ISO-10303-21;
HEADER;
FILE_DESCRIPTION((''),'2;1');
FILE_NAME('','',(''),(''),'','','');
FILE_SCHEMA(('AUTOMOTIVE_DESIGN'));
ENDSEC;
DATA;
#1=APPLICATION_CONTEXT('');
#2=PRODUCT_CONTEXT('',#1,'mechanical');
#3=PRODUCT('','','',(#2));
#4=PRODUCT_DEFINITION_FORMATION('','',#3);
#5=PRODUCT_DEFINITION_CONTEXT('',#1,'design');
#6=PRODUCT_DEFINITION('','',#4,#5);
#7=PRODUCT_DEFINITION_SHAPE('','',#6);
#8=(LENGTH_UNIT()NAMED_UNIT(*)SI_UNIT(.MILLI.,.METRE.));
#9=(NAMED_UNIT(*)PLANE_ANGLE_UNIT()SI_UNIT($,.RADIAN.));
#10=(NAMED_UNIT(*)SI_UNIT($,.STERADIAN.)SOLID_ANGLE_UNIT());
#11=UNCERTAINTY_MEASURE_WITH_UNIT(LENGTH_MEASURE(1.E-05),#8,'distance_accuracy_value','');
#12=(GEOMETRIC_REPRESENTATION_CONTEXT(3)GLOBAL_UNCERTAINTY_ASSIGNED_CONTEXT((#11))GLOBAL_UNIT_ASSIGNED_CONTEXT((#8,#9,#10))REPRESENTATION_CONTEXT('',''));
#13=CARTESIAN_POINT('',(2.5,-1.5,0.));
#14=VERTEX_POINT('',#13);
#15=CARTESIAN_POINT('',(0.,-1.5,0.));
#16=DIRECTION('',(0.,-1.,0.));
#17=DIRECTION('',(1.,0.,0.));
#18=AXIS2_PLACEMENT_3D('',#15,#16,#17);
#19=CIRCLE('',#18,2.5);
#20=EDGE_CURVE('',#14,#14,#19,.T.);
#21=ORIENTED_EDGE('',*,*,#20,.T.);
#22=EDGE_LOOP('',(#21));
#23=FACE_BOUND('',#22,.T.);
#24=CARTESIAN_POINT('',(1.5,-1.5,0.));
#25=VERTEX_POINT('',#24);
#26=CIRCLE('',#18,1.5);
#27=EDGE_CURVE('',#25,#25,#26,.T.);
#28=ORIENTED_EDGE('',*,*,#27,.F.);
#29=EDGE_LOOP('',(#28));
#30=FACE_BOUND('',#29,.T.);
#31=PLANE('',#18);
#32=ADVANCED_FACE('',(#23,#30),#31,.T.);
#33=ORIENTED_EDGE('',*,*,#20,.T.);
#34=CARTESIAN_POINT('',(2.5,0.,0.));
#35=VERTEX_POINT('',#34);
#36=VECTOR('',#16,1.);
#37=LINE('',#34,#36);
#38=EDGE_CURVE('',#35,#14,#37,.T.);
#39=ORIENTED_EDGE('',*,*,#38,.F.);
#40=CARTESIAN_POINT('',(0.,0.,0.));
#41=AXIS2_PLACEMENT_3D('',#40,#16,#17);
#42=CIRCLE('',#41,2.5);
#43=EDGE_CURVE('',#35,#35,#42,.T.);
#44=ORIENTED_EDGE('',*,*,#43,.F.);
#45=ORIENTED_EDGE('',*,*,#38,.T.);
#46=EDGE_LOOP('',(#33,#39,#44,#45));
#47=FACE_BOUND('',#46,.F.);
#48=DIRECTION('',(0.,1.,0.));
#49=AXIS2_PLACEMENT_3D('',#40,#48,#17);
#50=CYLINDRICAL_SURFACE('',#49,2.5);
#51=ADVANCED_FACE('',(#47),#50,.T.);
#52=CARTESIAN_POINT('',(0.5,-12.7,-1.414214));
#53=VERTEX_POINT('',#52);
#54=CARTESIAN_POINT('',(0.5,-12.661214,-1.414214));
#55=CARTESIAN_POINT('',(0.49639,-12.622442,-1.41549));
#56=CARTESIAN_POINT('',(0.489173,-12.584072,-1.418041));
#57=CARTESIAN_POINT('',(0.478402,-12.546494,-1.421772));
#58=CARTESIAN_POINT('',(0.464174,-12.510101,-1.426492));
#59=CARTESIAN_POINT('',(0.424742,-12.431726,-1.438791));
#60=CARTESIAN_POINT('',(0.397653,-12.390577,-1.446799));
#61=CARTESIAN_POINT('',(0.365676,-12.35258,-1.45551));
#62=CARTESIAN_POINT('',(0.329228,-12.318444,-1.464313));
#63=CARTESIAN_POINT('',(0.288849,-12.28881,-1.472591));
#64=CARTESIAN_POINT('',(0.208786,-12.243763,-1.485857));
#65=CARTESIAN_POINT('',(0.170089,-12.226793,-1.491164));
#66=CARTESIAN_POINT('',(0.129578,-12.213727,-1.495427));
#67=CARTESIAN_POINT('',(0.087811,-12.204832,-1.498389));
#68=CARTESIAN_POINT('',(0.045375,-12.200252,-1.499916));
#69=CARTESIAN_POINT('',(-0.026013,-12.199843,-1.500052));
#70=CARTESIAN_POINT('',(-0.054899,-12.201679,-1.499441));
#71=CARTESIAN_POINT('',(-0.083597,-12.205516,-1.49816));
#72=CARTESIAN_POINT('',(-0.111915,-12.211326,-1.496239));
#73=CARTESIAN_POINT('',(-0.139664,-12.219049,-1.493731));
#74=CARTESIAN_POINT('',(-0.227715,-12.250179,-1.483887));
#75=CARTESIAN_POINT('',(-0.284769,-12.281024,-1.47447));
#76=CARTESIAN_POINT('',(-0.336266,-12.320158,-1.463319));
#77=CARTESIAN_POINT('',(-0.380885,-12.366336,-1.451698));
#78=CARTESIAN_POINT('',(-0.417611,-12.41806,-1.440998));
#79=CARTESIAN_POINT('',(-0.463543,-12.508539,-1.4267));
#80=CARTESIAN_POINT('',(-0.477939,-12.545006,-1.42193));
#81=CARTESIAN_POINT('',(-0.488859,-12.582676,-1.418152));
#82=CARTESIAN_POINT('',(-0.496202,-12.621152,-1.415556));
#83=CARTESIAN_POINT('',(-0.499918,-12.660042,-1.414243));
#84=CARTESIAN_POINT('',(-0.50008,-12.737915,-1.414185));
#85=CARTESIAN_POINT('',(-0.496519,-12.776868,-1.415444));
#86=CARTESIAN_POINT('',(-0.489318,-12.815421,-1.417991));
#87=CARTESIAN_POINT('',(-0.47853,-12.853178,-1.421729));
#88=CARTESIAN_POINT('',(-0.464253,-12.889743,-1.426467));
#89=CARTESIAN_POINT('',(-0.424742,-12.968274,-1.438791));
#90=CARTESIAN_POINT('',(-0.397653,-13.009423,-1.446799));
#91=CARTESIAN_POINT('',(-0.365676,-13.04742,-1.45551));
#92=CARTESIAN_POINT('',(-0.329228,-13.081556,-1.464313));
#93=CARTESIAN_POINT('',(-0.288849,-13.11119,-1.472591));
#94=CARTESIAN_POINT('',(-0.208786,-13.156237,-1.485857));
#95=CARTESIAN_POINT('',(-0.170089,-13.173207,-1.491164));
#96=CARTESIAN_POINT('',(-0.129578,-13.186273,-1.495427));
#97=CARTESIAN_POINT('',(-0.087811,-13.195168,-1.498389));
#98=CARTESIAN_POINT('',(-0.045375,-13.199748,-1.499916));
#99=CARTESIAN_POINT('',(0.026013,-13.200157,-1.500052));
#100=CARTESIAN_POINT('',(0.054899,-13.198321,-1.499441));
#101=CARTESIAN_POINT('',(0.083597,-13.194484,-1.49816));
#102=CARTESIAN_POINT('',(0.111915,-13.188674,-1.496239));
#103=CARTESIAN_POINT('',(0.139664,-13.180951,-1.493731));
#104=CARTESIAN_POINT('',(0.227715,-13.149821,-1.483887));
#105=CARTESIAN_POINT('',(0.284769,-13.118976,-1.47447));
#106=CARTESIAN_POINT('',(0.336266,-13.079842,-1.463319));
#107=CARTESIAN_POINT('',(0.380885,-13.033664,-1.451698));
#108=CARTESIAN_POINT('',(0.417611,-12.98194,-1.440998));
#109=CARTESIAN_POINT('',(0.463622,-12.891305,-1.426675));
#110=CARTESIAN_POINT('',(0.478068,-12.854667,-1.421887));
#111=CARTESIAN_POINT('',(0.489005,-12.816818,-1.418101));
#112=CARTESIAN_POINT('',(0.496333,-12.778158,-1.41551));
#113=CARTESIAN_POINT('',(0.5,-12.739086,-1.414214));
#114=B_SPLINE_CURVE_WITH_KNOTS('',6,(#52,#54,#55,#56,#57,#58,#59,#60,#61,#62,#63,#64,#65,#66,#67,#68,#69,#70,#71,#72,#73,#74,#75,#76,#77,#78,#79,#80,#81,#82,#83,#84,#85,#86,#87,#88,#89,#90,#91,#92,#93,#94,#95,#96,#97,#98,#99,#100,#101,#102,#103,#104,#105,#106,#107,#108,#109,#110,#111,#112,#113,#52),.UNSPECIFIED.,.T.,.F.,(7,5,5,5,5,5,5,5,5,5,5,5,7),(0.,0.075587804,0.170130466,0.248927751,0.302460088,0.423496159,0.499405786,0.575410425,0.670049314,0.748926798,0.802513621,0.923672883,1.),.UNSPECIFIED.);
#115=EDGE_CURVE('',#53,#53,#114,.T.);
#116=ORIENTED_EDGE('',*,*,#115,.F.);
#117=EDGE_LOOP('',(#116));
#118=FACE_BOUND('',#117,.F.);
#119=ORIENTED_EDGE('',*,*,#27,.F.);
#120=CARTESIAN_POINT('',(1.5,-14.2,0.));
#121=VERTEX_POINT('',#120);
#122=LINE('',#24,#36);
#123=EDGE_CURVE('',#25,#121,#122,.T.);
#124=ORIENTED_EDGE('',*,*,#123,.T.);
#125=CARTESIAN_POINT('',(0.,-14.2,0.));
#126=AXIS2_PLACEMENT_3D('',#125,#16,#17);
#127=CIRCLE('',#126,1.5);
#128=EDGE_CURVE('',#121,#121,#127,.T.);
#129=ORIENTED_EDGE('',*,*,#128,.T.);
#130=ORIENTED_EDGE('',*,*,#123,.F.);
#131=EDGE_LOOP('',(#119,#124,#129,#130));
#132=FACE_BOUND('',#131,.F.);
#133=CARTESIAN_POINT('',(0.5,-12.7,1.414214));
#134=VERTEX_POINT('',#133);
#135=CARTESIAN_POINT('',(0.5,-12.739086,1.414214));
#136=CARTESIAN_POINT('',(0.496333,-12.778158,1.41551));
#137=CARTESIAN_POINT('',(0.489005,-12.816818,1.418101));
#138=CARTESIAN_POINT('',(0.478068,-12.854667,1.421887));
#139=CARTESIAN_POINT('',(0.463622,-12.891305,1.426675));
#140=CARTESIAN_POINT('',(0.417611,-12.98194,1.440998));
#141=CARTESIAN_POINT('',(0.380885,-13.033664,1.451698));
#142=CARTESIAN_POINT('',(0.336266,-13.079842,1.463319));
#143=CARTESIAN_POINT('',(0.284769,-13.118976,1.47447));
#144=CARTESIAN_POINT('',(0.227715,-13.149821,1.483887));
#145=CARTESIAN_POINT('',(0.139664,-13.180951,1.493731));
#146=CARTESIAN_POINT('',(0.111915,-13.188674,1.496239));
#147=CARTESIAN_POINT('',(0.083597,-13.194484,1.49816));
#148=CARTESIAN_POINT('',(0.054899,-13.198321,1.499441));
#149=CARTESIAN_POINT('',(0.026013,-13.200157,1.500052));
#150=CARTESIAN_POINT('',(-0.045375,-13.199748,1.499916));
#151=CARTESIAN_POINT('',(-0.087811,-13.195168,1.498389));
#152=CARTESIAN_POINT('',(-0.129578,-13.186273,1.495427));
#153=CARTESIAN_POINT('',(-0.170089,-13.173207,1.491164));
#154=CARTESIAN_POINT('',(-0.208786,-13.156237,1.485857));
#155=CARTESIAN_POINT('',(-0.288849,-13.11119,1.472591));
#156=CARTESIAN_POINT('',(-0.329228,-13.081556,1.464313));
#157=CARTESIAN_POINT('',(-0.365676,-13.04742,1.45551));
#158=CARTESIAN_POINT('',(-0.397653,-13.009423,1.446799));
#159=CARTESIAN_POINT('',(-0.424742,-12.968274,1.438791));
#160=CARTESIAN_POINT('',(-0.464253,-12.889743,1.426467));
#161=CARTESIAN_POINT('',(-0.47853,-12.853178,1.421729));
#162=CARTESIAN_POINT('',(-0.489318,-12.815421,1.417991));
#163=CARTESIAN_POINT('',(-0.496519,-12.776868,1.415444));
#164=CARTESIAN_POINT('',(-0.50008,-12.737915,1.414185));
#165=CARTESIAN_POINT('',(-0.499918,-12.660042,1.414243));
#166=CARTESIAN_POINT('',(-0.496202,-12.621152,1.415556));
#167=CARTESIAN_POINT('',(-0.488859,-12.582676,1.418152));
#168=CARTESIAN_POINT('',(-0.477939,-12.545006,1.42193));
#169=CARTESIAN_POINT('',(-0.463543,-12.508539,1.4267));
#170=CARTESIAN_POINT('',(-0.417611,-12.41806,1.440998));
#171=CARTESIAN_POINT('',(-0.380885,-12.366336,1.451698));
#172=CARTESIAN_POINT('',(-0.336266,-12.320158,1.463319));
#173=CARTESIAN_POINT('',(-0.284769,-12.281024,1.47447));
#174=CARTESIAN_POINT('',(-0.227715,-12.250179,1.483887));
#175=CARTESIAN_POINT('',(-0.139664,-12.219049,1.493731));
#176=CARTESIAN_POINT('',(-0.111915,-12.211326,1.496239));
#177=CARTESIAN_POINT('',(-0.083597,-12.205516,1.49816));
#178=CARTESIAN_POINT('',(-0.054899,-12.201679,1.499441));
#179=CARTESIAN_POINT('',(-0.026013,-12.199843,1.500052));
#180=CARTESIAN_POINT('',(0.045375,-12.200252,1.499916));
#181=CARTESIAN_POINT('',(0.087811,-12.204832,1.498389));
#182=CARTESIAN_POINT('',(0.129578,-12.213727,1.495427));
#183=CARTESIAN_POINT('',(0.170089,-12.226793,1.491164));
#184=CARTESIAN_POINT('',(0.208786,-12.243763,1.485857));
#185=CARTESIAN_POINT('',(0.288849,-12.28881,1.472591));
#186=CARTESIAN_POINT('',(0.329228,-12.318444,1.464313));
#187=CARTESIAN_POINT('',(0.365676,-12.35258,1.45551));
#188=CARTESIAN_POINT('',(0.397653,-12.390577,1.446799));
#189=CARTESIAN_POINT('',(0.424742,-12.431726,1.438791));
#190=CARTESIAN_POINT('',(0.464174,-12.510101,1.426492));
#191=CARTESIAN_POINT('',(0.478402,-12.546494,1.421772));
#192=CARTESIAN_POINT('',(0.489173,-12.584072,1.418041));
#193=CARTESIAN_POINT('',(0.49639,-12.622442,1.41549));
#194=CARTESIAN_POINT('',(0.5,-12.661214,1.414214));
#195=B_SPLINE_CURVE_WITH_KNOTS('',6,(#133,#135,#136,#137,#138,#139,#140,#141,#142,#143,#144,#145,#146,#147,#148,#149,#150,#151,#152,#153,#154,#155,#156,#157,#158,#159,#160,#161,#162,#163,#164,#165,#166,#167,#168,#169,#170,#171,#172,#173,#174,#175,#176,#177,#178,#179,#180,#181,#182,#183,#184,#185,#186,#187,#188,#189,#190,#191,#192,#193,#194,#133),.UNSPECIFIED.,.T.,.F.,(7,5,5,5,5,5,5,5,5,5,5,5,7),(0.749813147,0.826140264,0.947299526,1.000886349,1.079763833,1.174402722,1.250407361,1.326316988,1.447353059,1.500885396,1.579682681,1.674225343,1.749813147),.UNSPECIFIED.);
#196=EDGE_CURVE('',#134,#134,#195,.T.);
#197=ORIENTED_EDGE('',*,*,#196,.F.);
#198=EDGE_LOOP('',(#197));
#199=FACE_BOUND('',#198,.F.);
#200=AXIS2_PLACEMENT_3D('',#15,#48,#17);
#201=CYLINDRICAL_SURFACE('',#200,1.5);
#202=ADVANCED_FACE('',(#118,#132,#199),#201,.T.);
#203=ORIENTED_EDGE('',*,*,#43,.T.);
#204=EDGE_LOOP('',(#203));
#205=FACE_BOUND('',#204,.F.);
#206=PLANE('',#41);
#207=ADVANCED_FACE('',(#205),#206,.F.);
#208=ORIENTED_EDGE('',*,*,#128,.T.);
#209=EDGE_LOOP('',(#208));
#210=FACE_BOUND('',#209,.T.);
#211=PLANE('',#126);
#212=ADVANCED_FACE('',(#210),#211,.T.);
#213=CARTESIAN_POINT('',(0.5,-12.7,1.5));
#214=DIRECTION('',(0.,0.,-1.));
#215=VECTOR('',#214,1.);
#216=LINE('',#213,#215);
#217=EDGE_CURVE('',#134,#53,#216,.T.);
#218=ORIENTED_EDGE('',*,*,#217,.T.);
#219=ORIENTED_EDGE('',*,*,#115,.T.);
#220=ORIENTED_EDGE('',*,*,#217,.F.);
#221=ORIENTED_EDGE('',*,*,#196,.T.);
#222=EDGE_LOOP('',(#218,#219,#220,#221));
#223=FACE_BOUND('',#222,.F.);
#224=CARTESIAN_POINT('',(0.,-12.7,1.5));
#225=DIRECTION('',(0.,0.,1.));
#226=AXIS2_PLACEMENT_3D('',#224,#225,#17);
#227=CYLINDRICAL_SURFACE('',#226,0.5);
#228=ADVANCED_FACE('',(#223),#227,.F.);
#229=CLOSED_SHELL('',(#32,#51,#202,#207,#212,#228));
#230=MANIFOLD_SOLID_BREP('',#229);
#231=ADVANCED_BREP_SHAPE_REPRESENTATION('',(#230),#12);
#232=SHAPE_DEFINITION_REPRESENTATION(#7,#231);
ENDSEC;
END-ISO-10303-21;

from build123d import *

# Parameters (mm, degrees)
F0_R     = 2.5
F1_DEPTH = 1.5
F2_R     = 1.5
F3_DEPTH = 12.7
F5_R     = 0.5
F6_DEPTH = 4.001


with BuildPart() as f1:
    # F0 (on Front) → F1 (new body)
    with BuildSketch(Plane.XZ):
        Circle(F0_R)
    extrude(amount=F1_DEPTH)

    # F2 (on face) → F3 (join)
    with BuildSketch(Plane.XZ.offset(1.5)):
        Circle(F2_R)
    extrude(amount=F3_DEPTH)

    # F5 (on offset) → F6 (cut, through all)
    with BuildSketch(Plane.XY.offset(1.5)):
        with Locations((0, -12.7)):
            Circle(F5_R)
    extrude(amount=-F6_DEPTH, mode=Mode.SUBTRACT)


solid = f1.part
